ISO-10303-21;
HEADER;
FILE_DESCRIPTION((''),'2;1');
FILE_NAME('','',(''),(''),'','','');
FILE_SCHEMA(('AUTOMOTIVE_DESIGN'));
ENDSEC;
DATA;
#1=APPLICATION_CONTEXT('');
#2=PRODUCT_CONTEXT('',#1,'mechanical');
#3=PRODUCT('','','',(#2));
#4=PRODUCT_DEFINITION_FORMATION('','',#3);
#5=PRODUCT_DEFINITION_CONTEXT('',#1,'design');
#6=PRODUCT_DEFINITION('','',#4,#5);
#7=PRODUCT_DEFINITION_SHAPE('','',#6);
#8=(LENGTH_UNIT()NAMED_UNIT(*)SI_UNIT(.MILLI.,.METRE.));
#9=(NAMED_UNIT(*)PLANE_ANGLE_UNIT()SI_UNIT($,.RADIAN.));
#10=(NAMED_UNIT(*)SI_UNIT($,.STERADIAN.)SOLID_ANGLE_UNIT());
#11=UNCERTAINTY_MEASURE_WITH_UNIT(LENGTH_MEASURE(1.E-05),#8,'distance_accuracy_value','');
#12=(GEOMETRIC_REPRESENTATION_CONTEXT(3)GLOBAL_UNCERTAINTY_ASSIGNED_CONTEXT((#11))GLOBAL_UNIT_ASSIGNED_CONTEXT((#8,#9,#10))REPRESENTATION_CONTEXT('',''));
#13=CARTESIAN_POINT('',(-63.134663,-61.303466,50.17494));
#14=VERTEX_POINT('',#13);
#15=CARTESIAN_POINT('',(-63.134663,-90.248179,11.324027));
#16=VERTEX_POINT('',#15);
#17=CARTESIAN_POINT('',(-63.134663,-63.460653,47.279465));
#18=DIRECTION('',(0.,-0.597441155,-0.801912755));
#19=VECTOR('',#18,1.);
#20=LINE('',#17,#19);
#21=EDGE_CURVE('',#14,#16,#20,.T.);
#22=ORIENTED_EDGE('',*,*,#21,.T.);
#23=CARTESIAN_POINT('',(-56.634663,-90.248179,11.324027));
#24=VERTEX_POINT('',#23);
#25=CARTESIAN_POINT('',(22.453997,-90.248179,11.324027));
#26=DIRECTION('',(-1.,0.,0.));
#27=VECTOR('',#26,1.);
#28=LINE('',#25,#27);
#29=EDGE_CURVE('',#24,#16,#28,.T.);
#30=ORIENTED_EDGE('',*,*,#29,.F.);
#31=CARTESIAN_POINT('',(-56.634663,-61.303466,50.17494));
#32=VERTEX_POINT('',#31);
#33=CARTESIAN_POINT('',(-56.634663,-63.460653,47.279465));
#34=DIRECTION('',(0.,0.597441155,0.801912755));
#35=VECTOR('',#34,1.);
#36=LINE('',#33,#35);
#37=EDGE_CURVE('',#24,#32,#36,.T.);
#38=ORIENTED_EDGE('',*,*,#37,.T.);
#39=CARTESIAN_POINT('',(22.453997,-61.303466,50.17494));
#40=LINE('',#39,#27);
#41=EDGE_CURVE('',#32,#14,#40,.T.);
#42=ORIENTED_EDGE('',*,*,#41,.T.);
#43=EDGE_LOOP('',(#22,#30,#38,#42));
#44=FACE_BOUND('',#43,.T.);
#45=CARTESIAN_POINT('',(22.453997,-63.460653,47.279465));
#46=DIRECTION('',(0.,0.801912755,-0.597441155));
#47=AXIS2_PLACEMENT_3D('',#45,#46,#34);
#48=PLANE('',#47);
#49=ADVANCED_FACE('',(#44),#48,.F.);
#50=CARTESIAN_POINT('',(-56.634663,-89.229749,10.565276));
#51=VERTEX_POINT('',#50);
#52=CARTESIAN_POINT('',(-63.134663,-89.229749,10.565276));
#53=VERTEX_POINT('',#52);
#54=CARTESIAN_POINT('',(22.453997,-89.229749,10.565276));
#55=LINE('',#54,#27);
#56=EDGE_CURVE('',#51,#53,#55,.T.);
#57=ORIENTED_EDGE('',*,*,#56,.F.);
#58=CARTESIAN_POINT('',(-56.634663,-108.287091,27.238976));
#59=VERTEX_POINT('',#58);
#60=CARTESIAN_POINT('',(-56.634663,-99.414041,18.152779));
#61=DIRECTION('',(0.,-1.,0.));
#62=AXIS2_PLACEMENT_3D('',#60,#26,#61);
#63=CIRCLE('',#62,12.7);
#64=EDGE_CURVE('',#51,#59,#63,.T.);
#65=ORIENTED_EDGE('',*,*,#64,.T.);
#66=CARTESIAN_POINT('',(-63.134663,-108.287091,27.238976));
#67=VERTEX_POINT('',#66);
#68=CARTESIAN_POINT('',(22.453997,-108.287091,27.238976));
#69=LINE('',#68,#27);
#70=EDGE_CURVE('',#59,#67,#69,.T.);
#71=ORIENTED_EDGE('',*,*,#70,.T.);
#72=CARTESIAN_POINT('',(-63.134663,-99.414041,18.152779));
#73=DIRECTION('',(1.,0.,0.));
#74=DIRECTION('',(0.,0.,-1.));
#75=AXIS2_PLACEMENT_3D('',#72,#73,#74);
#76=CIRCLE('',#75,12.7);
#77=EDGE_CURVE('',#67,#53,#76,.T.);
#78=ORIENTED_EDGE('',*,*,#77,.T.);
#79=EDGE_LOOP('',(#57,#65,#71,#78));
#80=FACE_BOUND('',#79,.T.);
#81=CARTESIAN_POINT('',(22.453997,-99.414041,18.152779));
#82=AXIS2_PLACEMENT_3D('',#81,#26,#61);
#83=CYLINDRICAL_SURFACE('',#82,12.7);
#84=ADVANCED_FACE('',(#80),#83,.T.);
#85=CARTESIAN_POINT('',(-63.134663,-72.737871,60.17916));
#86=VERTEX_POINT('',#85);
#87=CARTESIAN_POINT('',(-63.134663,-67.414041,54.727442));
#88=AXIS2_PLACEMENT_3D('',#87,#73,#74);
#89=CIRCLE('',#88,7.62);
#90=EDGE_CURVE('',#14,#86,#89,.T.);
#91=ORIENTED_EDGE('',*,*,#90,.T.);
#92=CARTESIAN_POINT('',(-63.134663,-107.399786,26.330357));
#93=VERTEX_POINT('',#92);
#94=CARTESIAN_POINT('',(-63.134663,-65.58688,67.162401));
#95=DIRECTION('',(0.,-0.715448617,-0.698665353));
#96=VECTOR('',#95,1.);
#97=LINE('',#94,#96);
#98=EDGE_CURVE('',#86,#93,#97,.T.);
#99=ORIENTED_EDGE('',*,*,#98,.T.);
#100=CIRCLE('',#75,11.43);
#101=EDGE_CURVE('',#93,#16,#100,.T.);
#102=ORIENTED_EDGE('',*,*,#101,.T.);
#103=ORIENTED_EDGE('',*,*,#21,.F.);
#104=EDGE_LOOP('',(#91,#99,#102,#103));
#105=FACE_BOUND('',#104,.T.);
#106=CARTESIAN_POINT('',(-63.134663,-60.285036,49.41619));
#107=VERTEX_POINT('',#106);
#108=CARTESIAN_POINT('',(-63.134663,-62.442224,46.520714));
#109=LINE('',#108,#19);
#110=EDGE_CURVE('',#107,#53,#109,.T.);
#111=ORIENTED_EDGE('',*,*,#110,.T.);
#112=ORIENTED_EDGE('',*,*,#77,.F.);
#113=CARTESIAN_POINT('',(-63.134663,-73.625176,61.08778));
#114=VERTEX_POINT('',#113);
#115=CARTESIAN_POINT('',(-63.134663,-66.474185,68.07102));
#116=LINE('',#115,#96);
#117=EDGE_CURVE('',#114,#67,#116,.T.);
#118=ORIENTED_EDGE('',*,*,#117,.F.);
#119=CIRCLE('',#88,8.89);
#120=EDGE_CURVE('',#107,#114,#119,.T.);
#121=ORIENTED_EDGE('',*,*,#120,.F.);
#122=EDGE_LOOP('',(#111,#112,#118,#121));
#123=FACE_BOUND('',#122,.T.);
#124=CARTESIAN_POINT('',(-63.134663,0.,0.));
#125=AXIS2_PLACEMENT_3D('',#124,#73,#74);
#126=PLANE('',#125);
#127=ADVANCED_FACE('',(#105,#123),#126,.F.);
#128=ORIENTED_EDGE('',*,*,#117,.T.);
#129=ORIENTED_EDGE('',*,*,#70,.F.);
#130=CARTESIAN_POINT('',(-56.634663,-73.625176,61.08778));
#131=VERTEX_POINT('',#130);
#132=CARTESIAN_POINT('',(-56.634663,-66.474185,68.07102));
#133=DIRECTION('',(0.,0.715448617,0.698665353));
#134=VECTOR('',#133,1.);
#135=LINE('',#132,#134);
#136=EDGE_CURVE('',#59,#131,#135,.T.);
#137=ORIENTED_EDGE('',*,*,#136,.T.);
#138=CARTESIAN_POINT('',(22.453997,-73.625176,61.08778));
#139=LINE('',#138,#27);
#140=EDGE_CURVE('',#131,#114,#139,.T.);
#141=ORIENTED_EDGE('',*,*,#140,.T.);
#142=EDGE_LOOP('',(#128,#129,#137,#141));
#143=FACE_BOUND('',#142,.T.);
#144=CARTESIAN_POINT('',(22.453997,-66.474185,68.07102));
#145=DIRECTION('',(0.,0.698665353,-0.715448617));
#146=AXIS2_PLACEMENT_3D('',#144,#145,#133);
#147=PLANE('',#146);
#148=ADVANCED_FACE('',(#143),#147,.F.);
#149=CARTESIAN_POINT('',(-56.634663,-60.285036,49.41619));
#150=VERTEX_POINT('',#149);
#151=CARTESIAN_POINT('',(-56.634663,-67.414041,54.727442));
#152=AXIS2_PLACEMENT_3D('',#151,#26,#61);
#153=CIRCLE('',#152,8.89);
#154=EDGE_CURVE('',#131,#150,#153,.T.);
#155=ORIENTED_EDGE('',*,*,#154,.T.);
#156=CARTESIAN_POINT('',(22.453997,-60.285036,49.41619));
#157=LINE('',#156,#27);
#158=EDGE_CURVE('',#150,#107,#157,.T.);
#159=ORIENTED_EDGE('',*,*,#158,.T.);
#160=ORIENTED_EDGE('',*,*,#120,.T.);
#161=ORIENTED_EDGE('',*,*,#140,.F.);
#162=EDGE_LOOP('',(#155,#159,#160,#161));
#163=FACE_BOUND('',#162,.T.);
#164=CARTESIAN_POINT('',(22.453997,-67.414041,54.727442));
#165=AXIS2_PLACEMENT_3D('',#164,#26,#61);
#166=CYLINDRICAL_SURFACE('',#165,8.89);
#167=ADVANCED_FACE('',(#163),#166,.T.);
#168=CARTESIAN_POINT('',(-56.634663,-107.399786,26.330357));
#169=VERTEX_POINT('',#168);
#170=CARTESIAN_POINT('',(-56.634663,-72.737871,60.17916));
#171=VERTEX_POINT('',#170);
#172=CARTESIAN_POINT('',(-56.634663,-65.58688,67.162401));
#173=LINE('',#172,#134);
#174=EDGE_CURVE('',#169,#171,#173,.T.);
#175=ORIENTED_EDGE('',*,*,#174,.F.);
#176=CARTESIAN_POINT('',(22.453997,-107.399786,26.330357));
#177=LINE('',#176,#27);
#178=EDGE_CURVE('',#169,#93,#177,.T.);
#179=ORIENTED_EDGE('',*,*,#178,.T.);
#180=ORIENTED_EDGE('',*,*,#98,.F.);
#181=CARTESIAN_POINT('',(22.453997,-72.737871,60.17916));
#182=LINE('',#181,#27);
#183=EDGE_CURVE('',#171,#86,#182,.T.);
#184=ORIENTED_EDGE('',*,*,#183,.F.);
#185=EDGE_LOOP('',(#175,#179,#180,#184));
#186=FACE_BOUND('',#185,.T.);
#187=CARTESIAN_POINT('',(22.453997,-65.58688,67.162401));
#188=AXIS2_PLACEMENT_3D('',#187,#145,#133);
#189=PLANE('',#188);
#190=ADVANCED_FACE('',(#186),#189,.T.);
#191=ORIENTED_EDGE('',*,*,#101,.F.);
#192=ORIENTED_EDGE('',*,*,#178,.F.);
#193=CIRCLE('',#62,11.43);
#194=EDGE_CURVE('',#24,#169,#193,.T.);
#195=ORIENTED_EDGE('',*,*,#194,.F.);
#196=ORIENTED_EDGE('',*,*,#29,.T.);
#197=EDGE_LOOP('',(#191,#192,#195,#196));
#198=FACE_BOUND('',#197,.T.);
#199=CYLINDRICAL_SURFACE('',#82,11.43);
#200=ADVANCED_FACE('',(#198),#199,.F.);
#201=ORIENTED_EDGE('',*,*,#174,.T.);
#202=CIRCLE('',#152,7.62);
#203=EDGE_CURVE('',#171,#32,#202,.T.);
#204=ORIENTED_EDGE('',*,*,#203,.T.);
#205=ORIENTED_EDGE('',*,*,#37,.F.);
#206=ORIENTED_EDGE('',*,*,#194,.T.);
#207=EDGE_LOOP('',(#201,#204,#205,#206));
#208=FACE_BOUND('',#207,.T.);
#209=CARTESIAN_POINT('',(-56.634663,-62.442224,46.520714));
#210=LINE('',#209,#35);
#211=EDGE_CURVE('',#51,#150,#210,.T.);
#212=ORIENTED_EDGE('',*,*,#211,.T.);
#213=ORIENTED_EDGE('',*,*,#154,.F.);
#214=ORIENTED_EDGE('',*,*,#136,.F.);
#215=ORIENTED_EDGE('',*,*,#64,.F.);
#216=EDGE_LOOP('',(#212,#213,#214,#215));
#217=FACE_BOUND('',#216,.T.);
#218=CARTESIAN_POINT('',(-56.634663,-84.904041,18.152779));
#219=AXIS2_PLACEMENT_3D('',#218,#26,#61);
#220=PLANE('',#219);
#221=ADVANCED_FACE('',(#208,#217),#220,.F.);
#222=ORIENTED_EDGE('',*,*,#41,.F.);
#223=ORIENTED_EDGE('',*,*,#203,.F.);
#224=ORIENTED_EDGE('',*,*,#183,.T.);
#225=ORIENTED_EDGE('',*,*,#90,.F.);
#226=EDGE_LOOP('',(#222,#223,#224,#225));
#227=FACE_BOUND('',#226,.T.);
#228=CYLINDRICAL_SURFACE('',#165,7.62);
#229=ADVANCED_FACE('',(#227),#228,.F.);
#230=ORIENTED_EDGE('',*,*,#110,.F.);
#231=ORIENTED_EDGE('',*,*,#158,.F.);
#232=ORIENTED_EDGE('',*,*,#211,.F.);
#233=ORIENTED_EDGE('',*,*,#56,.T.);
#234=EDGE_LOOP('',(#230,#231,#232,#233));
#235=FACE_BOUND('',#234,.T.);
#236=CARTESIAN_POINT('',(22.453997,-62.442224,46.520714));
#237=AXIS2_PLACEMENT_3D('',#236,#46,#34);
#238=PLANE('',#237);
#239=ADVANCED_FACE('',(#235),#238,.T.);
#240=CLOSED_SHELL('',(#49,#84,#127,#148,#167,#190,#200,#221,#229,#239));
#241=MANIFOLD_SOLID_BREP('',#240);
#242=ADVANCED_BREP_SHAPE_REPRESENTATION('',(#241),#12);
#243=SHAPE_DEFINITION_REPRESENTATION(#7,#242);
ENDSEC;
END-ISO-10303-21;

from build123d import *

# Parameters (mm, degrees)
BOSS_EXTRUDE1_DEPTH = 6.5


with BuildPart() as part:
    # Sketch1 → Boss-Extrude1 (new body)
    with BuildSketch(Plane(origin=(-63.134662924, 0, 0), x_dir=(0, 0, -1), z_dir=(1, 0, 0))):
        with BuildLine():
            Line((-10.565276343, -89.229749456), (-49.416189654, -60.285036457))
            ThreePointArc((-49.416189654, -60.285036457), (-61.41810481, -61.560228003), (-61.087779733, -73.625175837))
            Line((-61.087779733, -73.625175837), (-27.238976455, -108.287091427))
            ThreePointArc((-27.238976455, -108.287091427), (-8.594688607, -107.776631215), (-10.565276343, -89.229749456))
        make_face()
        with BuildLine():
            Line((-26.330356711, -107.399786428), (-60.179159989, -72.737870838))
            ThreePointArc((-60.179159989, -72.737870838), (-60.46229577, -62.39648698), (-50.174939921, -61.303465655))
            Line((-50.174939921, -61.303465655), (-46.502941226, -64.039178649))
            Line((-46.502941226, -64.039178649), (-11.32402661, -90.248178655))
            ThreePointArc((-11.32402661, -90.248178655), (-9.550497648, -106.940372237), (-26.330356711, -107.399786428))
        make_face(mode=Mode.SUBTRACT)
    extrude(amount=BOSS_EXTRUDE1_DEPTH)


solid = part.part
